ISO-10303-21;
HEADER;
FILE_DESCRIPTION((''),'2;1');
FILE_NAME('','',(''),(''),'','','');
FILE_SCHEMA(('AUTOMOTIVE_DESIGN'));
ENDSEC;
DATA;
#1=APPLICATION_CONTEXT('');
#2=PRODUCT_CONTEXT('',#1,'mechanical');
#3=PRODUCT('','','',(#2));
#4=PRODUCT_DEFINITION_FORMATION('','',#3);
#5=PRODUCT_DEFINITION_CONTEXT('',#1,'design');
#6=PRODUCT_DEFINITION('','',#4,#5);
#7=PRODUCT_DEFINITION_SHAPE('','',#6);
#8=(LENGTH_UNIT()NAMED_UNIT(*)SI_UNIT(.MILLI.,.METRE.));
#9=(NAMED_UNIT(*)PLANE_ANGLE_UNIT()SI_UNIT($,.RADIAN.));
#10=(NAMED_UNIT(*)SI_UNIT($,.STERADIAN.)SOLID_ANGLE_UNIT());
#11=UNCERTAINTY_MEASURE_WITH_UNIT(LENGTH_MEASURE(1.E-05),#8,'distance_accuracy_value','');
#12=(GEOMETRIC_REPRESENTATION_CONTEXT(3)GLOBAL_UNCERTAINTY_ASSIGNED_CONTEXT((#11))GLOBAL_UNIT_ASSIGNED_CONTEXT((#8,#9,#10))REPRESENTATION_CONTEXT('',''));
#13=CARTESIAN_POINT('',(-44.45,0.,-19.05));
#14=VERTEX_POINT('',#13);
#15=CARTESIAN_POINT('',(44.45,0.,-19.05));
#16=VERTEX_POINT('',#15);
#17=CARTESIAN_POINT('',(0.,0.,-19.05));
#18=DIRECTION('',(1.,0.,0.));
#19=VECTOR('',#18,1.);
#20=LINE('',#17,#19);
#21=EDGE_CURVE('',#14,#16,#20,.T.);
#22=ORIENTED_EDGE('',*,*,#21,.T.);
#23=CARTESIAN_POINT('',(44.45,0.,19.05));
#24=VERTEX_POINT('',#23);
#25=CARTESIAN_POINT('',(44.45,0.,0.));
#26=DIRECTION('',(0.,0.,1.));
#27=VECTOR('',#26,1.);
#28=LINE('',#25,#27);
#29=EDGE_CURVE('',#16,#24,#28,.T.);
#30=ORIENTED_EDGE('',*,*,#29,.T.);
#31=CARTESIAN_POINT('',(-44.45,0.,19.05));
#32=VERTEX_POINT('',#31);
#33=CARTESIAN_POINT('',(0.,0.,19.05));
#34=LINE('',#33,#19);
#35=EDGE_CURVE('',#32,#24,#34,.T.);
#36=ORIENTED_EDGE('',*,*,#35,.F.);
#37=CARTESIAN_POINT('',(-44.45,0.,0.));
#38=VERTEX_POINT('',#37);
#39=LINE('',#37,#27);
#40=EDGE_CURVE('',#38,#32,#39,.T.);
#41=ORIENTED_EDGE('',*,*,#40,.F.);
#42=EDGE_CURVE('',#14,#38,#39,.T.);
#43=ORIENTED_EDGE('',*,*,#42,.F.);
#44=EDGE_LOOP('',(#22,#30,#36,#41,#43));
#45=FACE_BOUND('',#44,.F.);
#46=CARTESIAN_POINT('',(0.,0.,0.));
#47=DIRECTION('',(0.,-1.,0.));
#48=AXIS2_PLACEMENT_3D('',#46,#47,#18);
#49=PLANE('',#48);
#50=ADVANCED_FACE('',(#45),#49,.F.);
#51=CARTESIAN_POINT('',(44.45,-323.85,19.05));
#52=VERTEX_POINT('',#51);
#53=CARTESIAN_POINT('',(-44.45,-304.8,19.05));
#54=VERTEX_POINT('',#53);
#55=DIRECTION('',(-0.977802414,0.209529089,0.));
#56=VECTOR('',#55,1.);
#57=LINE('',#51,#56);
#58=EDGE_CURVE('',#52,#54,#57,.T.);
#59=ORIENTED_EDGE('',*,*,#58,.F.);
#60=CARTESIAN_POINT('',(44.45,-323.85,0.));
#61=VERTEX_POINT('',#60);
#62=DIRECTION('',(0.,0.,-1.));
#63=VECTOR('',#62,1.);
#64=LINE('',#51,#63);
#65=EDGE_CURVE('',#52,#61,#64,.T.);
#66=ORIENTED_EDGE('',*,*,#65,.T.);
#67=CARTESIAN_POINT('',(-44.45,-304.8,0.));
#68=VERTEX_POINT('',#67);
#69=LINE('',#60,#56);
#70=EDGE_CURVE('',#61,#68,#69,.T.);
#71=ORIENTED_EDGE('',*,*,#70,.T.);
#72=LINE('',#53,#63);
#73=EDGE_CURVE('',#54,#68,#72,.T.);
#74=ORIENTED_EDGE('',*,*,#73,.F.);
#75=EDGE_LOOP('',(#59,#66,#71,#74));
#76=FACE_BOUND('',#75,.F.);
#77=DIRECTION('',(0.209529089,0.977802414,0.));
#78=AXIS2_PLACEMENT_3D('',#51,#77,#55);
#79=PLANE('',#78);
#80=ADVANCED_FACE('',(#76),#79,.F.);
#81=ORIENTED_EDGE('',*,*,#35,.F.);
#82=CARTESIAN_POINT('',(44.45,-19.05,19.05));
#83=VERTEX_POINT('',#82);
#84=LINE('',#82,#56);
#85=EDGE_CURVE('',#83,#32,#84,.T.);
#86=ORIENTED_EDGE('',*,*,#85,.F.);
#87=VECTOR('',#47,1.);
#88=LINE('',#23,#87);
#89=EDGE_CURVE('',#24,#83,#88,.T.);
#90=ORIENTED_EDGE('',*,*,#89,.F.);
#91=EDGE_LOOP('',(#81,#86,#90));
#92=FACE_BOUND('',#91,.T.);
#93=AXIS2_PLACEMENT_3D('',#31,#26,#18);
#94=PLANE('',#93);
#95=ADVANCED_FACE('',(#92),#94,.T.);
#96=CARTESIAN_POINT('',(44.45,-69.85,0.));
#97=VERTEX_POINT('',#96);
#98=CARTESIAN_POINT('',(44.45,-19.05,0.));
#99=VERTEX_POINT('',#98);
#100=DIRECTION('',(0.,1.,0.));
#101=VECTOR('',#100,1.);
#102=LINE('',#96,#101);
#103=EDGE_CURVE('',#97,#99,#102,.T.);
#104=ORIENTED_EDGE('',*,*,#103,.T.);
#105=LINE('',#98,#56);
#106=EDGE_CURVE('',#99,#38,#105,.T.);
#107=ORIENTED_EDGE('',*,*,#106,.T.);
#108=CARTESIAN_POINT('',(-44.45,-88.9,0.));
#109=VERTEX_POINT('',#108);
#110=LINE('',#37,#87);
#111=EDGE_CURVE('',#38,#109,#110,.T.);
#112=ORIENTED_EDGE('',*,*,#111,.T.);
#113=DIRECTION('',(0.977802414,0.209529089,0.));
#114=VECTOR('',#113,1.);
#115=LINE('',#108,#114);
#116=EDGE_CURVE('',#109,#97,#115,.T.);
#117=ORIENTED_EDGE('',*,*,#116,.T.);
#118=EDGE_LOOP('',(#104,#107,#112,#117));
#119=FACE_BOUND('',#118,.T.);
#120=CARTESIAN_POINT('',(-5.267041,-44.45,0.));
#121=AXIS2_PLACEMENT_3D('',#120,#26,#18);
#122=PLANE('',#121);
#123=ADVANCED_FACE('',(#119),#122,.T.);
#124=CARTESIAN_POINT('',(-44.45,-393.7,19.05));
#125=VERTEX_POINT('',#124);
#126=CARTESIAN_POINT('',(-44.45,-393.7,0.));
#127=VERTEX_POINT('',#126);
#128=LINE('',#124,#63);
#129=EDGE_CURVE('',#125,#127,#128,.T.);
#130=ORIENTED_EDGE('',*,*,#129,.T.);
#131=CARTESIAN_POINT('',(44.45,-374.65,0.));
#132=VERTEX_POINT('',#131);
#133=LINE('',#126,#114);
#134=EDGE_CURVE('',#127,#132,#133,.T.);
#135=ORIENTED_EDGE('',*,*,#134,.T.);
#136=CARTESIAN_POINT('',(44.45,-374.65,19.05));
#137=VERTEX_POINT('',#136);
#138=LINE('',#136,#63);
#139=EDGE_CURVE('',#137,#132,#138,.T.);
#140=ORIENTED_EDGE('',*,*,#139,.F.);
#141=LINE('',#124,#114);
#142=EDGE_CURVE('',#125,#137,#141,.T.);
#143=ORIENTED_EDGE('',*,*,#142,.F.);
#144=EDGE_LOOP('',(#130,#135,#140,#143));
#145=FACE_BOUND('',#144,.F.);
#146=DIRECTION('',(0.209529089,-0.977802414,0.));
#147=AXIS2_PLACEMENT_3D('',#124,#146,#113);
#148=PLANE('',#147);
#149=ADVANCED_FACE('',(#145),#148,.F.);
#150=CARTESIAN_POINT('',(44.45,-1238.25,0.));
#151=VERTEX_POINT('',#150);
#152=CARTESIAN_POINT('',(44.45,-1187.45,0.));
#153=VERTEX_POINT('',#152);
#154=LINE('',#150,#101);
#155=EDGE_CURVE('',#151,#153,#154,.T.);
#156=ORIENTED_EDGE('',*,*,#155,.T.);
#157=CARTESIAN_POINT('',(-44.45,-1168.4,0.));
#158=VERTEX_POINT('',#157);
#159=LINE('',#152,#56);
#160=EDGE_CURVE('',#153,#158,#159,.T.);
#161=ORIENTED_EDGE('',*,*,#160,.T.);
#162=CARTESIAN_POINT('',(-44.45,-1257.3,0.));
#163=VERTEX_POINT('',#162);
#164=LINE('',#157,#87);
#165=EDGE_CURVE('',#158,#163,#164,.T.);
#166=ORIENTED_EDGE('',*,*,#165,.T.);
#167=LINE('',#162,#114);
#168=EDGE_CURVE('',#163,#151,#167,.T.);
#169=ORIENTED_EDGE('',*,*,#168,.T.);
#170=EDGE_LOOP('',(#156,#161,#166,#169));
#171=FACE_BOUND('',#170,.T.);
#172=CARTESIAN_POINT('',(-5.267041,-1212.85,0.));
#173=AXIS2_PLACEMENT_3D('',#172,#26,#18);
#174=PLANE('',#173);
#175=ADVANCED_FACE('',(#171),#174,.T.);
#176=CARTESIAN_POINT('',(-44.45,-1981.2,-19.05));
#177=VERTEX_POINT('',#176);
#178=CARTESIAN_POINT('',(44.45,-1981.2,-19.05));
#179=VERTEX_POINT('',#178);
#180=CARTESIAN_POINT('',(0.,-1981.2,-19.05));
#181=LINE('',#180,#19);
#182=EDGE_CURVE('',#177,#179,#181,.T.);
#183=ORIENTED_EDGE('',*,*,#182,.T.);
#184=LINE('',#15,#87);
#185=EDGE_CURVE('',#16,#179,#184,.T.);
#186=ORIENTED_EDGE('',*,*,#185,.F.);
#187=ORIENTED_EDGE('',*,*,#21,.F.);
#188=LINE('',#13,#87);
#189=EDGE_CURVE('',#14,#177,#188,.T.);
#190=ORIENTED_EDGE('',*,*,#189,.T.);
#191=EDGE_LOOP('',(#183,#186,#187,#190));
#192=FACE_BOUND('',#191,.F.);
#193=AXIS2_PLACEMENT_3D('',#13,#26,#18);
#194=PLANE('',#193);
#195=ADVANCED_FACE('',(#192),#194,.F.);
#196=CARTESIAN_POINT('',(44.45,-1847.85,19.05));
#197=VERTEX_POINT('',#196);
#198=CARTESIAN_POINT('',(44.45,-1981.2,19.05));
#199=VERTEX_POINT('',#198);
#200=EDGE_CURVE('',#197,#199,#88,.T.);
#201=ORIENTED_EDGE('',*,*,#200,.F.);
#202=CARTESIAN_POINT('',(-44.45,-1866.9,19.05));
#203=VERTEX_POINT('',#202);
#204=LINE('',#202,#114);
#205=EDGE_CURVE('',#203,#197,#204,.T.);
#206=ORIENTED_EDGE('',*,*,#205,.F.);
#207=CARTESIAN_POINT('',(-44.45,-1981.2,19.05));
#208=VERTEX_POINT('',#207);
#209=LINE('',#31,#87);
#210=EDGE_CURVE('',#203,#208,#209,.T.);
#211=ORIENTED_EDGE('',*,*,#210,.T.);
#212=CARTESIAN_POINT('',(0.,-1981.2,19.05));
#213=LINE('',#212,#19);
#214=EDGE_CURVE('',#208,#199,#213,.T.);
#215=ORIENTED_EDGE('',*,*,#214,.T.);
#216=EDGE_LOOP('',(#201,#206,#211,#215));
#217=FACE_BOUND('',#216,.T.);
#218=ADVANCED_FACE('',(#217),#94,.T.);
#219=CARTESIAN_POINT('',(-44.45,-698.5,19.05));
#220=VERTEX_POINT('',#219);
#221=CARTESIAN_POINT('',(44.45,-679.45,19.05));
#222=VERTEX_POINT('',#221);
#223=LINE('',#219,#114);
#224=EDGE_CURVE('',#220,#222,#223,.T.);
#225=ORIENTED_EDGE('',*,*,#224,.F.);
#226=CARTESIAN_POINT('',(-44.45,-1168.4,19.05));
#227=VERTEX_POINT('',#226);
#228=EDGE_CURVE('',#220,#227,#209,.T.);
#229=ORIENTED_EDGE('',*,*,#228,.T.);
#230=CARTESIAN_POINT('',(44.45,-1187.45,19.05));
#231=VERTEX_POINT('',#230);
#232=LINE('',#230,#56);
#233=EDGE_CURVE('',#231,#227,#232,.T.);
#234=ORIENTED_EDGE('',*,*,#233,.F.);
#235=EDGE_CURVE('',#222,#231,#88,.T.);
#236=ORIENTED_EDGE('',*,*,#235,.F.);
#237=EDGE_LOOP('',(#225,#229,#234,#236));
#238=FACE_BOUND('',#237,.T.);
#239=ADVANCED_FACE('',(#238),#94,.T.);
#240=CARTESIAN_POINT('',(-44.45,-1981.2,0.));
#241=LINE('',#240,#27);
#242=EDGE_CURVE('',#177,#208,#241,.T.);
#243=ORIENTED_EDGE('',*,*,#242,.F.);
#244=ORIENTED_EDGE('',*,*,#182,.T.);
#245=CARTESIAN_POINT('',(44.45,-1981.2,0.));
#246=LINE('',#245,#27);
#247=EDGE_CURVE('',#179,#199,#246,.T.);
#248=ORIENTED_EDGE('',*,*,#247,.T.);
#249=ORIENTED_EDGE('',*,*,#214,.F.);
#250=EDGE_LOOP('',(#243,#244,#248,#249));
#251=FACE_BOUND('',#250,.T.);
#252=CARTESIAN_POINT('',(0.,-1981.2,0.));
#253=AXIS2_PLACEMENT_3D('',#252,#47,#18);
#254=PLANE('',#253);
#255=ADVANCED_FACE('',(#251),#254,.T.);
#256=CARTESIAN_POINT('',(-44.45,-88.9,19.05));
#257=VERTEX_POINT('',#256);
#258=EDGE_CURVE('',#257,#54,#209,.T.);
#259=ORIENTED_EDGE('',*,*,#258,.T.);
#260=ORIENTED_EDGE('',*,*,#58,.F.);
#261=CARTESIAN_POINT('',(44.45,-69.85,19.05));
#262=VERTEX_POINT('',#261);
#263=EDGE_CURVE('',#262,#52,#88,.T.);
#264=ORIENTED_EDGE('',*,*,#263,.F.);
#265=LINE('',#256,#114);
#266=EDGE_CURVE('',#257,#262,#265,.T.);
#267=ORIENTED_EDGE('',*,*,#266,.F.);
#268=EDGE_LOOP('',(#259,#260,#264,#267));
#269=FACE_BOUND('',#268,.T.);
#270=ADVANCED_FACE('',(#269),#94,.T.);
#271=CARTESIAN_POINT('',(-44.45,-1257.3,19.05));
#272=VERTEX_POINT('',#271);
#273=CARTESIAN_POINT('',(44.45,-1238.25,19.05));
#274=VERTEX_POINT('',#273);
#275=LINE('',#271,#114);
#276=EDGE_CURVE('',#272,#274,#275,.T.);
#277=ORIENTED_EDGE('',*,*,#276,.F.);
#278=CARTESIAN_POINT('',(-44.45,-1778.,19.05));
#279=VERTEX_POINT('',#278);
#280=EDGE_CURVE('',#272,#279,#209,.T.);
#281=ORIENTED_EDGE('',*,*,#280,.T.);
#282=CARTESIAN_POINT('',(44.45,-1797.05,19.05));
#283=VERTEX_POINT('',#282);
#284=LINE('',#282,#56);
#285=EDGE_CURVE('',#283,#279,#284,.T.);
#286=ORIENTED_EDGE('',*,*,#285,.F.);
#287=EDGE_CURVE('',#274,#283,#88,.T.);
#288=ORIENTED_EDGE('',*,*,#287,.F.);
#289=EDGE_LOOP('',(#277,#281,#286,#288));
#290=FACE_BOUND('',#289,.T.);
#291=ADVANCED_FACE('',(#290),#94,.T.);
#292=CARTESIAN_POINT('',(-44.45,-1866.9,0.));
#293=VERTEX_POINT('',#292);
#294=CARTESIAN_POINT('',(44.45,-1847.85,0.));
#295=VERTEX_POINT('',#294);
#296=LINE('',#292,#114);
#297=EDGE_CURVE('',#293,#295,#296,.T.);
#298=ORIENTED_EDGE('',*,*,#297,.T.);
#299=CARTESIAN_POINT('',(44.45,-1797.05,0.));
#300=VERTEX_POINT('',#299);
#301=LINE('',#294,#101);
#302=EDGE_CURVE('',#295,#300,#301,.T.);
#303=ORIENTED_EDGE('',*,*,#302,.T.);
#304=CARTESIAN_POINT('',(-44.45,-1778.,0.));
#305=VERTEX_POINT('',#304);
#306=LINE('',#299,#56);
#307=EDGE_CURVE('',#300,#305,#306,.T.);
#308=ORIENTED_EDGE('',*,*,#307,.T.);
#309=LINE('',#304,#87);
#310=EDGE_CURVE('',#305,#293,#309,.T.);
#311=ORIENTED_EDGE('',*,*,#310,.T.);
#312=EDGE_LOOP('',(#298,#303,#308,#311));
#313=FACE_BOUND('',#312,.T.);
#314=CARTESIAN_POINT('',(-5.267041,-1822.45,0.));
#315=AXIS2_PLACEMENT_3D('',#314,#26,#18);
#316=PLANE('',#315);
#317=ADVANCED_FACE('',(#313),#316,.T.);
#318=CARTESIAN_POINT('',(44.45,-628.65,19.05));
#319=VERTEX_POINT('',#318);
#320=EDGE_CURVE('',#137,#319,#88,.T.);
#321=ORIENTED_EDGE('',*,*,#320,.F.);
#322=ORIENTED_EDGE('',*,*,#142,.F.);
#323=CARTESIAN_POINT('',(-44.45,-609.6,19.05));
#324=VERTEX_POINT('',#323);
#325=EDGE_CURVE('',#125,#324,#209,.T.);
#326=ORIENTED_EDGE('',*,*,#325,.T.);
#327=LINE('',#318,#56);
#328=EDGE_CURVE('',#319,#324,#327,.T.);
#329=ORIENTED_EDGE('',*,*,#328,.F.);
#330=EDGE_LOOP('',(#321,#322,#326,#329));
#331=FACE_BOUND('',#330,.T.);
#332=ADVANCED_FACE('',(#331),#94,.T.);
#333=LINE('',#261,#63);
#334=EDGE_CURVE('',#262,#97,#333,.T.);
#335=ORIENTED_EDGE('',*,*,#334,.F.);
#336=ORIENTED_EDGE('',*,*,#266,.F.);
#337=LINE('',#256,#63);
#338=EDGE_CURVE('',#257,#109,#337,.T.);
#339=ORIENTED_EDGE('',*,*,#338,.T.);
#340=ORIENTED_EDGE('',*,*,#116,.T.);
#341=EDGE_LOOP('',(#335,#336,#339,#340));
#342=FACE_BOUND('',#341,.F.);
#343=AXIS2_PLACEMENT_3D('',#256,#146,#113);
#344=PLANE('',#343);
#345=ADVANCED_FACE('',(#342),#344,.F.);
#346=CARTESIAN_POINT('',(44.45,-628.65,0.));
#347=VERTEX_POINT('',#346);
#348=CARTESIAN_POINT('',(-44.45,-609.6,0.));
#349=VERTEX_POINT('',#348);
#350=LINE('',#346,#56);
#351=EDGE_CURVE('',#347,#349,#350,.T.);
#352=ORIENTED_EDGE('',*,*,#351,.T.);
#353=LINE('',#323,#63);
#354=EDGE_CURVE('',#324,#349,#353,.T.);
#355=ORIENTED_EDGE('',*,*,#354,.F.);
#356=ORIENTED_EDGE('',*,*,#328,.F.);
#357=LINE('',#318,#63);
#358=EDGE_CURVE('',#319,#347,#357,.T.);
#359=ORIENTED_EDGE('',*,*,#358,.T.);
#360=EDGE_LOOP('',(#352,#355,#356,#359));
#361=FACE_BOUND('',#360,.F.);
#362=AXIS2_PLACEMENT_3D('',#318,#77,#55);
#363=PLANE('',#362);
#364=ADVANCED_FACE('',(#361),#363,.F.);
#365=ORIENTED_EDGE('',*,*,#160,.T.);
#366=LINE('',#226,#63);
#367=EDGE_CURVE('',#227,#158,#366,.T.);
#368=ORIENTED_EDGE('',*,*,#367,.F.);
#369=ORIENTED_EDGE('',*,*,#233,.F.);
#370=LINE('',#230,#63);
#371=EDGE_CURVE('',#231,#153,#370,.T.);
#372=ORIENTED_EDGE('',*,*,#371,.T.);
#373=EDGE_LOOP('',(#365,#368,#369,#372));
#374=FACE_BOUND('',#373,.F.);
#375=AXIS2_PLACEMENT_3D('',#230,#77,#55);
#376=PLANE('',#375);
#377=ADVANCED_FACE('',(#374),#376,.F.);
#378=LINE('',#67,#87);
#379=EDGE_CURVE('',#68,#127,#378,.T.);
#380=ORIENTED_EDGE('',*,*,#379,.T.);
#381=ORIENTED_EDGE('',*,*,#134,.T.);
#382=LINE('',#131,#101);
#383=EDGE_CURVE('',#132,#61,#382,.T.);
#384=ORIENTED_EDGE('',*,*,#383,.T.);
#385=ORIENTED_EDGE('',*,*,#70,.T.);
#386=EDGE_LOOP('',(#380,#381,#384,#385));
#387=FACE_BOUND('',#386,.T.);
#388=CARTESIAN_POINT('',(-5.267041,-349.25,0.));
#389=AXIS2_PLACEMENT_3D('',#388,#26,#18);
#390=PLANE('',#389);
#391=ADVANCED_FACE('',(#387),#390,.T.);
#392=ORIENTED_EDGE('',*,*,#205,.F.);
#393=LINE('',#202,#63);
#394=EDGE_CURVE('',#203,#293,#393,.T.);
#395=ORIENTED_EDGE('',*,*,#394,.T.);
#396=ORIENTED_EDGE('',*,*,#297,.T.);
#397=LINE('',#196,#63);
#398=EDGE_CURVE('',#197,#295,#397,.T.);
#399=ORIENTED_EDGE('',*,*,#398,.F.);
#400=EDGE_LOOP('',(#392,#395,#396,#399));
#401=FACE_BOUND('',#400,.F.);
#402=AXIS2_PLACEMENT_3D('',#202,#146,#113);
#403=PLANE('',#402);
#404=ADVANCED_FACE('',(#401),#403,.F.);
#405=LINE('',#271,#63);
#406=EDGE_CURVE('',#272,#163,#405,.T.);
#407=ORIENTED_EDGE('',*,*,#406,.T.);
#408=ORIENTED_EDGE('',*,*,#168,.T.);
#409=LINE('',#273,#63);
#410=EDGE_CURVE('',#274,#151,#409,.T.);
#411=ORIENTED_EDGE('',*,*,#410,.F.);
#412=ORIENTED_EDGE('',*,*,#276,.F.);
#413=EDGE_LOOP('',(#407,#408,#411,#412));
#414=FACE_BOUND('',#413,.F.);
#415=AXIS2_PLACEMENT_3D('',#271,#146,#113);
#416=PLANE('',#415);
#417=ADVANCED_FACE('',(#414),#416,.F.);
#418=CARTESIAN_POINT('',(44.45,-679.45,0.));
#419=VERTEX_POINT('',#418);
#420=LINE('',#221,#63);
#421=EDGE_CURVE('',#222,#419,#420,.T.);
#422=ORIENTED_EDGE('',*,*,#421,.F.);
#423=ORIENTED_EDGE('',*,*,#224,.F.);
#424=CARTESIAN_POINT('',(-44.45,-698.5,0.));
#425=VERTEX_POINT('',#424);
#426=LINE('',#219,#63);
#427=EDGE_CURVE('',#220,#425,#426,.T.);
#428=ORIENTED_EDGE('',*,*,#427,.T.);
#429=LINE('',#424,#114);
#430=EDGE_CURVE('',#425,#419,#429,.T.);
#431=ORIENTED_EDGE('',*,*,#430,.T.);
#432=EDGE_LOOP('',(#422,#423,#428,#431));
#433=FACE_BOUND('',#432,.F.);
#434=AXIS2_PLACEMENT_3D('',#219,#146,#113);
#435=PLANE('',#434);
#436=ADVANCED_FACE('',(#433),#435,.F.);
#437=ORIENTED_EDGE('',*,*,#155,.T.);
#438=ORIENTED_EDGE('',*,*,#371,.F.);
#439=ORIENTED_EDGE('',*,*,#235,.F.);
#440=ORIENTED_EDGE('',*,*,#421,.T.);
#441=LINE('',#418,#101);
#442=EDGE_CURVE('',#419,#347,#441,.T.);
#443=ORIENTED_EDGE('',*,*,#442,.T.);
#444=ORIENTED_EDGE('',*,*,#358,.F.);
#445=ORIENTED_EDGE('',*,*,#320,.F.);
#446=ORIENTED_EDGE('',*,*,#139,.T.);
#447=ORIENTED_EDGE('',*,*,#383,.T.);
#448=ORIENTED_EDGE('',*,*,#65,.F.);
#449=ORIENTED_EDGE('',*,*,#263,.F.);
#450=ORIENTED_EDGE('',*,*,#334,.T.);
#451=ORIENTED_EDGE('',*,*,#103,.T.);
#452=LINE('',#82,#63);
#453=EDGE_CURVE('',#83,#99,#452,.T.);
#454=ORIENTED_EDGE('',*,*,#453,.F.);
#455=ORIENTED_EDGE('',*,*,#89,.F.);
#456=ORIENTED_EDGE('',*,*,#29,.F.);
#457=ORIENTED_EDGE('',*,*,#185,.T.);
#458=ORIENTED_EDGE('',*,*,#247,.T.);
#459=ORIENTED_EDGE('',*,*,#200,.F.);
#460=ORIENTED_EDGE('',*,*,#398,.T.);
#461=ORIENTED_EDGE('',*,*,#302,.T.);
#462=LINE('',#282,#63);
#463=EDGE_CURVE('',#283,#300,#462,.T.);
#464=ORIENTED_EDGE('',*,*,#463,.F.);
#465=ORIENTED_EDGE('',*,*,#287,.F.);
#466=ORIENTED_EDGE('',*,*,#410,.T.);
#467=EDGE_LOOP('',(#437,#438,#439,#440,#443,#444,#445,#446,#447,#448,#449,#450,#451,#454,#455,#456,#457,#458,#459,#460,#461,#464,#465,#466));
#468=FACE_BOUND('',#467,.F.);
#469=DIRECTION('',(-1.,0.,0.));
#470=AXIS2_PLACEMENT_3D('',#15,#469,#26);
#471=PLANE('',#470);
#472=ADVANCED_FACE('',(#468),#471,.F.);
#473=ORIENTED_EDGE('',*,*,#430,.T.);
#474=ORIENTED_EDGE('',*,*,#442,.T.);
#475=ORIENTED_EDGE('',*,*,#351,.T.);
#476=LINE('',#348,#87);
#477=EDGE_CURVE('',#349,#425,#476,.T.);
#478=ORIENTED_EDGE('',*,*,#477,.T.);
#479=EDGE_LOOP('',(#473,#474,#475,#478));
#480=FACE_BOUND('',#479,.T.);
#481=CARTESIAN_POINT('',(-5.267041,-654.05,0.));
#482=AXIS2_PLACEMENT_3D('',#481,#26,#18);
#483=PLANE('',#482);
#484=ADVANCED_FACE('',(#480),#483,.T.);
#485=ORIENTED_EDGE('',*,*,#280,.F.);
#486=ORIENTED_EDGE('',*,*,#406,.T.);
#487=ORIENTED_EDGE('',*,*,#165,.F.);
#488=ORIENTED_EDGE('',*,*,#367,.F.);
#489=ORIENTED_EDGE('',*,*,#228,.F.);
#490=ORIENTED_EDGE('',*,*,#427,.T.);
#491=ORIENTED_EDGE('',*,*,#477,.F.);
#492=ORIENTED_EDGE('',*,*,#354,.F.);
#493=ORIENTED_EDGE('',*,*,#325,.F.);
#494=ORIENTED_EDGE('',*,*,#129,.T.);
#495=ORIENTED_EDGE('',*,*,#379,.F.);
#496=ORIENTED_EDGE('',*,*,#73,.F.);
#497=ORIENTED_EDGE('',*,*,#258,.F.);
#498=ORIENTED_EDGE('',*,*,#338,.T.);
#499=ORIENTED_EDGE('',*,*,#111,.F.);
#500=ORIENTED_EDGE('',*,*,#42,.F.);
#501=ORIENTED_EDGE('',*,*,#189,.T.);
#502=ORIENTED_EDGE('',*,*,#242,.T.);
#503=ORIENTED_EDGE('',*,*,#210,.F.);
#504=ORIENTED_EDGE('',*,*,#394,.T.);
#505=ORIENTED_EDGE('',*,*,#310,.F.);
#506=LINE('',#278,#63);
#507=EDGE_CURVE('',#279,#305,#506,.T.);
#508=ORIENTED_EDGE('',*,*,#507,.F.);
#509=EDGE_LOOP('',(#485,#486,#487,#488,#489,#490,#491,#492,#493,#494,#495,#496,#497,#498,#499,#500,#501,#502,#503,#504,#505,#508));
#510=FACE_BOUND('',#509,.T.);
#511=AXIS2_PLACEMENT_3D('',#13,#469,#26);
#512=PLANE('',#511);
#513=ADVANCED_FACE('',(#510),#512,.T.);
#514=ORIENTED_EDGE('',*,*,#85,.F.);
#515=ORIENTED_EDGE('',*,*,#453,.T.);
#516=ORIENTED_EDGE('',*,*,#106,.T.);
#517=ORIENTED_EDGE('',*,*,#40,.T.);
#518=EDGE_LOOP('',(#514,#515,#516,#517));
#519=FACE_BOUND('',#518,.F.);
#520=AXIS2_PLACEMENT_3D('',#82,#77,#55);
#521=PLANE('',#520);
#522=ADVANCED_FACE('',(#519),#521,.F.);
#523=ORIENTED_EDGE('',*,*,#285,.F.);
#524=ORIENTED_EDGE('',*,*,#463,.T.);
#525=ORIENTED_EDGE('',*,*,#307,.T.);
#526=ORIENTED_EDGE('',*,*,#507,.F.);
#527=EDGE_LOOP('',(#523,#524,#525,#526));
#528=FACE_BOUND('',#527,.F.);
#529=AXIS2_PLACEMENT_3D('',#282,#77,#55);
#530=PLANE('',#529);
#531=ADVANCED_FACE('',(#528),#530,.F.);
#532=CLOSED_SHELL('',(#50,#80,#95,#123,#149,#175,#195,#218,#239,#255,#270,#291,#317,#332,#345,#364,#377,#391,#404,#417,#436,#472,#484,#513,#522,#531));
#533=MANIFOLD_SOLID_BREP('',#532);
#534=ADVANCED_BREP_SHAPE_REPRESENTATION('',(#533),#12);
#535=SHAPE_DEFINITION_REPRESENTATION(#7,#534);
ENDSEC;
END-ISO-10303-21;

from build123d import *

# Parameters (mm, degrees)
F0_W     = 88.9
F0_H     = 38.1
F1_DEPTH = 1981.2
F3_DEPTH = 19.05


with BuildPart() as f1:
    # F0 (on Front) → F1 (new body)
    with BuildSketch(Plane.XZ):
        Rectangle(F0_W, F0_H)
    extrude(amount=F1_DEPTH)

    # F2 (on face) → F3 (cut)
    with BuildSketch(Plane.XY.offset(19.05)):
        Polygon((44.45, -19.05), (-44.45, 0), (-44.45, -88.9), (44.45, -69.85), align=None)
        Polygon((44.45, -323.85), (-44.45, -304.8), (-44.45, -393.7), (44.45, -374.65), align=None)
        Polygon((44.45, -628.65), (-44.45, -609.6), (-44.45, -698.5), (44.45, -679.45), align=None)
        Polygon((44.45, -1187.45), (-44.45, -1168.4), (-44.45, -1257.3), (44.45, -1238.25), align=None)
        Polygon((44.45, -1797.05), (-44.45, -1778), (-44.45, -1866.9), (44.45, -1847.85), align=None)
    extrude(amount=-F3_DEPTH, mode=Mode.SUBTRACT)


solid = f1.part
